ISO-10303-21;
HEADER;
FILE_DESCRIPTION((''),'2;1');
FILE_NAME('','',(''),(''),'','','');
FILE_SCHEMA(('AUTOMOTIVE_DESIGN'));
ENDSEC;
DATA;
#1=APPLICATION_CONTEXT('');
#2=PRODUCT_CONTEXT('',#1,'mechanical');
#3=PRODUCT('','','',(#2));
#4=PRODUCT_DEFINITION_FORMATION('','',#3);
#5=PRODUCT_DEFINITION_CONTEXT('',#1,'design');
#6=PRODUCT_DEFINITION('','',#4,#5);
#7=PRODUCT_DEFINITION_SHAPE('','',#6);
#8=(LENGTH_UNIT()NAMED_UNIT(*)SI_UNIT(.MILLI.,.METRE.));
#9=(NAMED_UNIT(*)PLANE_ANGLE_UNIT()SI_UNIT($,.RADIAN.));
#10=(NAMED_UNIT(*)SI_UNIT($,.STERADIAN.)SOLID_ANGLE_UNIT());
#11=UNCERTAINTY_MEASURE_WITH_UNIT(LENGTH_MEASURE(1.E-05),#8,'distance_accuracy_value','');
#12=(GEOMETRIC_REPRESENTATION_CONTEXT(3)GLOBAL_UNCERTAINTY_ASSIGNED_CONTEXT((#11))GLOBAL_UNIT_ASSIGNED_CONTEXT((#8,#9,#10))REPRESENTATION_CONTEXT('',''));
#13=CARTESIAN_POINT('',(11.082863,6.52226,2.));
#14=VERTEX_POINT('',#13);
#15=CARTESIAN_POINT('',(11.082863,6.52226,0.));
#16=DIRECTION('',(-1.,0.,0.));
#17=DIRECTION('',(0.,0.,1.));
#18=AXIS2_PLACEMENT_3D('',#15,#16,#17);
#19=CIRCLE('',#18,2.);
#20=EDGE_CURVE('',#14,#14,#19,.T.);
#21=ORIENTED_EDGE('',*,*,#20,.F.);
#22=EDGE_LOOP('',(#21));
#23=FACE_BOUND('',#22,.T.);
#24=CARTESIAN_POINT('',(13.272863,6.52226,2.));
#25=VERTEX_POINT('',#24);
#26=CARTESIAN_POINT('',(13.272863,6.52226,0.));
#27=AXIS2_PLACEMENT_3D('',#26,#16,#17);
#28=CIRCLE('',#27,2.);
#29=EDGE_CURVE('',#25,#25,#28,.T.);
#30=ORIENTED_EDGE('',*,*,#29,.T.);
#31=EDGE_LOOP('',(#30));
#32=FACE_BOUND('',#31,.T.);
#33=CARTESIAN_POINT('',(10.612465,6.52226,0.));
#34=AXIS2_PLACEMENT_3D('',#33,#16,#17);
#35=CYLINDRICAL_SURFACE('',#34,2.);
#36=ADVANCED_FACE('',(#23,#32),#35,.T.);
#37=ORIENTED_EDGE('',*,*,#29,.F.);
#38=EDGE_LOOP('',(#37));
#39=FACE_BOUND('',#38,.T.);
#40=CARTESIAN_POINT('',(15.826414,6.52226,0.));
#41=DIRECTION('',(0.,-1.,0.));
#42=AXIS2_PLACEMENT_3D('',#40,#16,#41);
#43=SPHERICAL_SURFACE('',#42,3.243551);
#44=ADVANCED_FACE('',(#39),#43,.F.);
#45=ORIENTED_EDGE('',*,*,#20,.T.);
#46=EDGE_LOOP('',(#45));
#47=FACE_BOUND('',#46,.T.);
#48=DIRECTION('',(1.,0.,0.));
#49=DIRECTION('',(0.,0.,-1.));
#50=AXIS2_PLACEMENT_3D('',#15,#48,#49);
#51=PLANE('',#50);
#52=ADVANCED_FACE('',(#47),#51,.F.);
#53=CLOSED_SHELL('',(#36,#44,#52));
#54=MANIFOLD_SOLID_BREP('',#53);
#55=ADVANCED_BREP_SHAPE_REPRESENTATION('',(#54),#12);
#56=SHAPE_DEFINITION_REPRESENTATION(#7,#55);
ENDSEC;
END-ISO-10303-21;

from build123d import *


with BuildPart() as part:
    # 草图1 → 旋转1 (revolve)
    with BuildSketch(Plane.XY, mode=Mode.PRIVATE) as revolve_1_sk:
        with BuildLine():
            Line((11.082863231, 6.522260287), (11.082863231, 8.522260287))
            Line((11.082863231, 8.522260287), (13.272863231, 8.522260287))
            ThreePointArc((13.272863231, 8.522260287), (12.760211695, 7.580100067), (12.582863231, 6.522260287))
            Line((12.582863231, 6.522260287), (11.082863231, 6.522260287))
        make_face()
    revolve(revolve_1_sk.sketch.rotate(Axis((10.612465279, 6.522260287, 0), (1, 0, 0)), 180), axis=Axis((10.612465279, 6.522260287, 0), (1, 0, 0)))  # turned: the seam where the file's is


solid = part.part
